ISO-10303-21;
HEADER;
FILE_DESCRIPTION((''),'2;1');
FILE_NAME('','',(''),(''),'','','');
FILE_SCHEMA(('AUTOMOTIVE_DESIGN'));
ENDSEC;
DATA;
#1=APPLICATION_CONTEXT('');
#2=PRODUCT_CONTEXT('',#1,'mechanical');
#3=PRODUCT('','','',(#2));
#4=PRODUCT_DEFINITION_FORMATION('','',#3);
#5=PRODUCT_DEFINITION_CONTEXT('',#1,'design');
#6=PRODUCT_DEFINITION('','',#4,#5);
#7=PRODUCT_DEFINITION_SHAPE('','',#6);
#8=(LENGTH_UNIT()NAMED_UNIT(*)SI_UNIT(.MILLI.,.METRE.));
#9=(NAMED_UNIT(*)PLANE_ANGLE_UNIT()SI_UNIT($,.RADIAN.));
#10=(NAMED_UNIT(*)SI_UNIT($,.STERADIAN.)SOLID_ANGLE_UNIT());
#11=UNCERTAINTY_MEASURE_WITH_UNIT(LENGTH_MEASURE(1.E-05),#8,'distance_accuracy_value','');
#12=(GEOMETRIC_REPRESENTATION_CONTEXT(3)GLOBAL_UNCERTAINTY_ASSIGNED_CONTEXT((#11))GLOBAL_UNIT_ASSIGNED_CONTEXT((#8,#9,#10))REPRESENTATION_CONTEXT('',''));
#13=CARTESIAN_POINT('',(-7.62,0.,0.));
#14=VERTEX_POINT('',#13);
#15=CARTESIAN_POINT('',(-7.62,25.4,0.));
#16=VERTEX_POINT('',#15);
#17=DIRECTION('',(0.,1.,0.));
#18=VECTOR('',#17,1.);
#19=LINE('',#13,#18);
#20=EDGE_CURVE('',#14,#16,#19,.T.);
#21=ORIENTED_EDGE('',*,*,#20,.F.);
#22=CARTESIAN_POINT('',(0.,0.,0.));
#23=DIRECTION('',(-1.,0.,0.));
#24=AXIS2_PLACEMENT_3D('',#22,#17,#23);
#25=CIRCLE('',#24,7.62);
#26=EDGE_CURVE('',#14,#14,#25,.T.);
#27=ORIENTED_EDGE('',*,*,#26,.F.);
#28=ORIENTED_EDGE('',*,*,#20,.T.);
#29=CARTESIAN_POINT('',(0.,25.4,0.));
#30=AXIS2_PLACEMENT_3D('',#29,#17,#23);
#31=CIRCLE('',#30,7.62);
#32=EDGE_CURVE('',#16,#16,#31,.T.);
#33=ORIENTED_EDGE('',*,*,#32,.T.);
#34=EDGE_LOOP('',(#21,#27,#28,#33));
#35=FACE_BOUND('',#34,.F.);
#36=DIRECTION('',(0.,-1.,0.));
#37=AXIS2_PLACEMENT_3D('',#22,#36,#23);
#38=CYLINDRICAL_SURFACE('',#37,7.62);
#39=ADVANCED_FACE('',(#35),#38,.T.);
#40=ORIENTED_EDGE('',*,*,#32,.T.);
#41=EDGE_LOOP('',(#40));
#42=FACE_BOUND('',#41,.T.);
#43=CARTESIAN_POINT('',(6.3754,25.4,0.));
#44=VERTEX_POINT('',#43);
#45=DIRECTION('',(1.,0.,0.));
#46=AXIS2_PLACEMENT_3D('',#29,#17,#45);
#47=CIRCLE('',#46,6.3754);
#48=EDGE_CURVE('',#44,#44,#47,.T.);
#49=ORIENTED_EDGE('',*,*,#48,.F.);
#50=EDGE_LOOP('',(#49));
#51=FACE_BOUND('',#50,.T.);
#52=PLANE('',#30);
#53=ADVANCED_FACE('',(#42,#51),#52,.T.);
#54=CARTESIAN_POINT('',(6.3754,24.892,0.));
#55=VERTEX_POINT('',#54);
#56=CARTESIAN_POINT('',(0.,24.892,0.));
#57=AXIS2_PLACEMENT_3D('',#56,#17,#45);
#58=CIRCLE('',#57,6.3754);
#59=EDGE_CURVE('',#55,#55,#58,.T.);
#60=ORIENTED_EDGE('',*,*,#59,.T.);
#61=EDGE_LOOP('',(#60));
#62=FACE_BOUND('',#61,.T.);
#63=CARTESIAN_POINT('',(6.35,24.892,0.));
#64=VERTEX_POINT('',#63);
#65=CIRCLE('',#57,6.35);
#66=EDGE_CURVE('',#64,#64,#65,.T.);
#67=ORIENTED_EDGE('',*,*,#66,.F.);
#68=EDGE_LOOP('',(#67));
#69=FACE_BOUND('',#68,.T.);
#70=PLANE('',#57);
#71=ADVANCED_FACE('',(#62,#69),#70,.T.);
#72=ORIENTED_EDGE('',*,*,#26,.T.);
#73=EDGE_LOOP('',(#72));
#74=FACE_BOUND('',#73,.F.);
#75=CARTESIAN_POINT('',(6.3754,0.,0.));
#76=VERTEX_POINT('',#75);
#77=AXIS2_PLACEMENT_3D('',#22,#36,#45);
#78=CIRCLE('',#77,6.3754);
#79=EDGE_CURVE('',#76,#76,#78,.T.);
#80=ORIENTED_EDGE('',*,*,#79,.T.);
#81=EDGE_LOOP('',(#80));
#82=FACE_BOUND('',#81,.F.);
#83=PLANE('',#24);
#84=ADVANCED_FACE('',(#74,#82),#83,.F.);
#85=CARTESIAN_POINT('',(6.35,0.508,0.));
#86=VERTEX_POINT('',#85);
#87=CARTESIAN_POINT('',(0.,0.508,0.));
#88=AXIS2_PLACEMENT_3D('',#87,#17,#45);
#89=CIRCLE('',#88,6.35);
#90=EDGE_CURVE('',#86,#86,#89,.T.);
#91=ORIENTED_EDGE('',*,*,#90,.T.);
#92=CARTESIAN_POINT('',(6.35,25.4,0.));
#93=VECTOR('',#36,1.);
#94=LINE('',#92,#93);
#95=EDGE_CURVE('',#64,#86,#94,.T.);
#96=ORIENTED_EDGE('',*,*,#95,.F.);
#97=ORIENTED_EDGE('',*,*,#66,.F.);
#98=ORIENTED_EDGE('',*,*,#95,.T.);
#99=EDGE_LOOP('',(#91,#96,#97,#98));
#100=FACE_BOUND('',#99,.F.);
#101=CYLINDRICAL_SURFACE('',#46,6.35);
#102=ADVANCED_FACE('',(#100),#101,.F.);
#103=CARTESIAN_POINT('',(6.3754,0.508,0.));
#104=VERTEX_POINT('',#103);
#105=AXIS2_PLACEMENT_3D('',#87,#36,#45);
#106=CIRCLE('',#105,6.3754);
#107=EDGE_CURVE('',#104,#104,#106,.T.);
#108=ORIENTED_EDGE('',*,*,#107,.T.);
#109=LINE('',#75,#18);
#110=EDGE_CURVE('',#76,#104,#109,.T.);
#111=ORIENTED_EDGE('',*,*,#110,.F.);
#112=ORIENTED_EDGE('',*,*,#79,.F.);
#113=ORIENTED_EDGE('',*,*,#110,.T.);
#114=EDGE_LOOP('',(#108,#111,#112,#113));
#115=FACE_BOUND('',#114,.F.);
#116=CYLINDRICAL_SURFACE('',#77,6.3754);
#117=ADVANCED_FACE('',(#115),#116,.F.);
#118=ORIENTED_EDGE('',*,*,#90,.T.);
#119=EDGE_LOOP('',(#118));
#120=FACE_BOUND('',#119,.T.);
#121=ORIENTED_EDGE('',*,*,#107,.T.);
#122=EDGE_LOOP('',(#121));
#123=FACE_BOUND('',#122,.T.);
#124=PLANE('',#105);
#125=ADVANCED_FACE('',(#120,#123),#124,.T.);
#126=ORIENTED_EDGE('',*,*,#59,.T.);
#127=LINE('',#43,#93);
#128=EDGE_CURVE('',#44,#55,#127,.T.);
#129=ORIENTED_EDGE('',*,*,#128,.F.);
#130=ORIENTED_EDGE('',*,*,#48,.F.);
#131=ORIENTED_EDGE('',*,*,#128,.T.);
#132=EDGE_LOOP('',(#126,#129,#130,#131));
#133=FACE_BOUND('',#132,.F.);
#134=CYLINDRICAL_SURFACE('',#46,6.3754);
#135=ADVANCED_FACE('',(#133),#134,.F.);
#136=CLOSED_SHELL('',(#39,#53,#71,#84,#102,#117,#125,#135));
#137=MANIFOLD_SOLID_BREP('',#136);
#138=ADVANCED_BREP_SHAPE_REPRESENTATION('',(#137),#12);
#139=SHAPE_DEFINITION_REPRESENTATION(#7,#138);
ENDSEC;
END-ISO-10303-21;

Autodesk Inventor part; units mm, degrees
ref_plane "YZ Plane" through (0, 0, 0) normal (1, 0, 0) x (0, 1, 0)
ref_plane "XZ Plane" through (0, 0, 0) normal (0, 1, 0) x (-1, 0, 0)
ref_plane "XY Plane" through (0, 0, 0) normal (0, 0, 1) x (1, 0, 0)
sketch "Sketch1" plane through (0, 0, 0) normal (0, 1, 0) x (-1, 0, 0)
  circle A0 centre (0, 0) radius 7.62
  dimension "d0" = 15.24
extrude "Extrusion1" add sketch "Sketch1" along normal blind 25.4
sketch "Sketch2" plane through (0, 25.4, 0) normal (0, 1, 0) x (1, 0, 0)
  circle A0 centre (0, 0) radius 6.35
  dimension "d3" = 12.7
extrude "Extrusion2" cut sketch "Sketch2" against normal up to surface (25.4 mm away)
sketch "Sketch3" plane through (0, 25.4, 0) normal (0, 1, 0) x (1, 0, 0)
  circle A0 centre (0, 0) radius 6.3754
  dimension "d6" = 12.7508
extrude "Extrusion3" cut sketch "Sketch3" against normal blind 0.508
sketch "Sketch4" plane through (0, 0, 0) normal (0, -1, 0) x (1, 0, 0)
  circle A0 centre (0, 0) radius 6.3754
  dimension "d9" = 12.7508
extrude "Extrusion4" cut sketch "Sketch4" against normal blind 0.508
properties part number "brassbushing" material "Brass, Soft Yellow"
